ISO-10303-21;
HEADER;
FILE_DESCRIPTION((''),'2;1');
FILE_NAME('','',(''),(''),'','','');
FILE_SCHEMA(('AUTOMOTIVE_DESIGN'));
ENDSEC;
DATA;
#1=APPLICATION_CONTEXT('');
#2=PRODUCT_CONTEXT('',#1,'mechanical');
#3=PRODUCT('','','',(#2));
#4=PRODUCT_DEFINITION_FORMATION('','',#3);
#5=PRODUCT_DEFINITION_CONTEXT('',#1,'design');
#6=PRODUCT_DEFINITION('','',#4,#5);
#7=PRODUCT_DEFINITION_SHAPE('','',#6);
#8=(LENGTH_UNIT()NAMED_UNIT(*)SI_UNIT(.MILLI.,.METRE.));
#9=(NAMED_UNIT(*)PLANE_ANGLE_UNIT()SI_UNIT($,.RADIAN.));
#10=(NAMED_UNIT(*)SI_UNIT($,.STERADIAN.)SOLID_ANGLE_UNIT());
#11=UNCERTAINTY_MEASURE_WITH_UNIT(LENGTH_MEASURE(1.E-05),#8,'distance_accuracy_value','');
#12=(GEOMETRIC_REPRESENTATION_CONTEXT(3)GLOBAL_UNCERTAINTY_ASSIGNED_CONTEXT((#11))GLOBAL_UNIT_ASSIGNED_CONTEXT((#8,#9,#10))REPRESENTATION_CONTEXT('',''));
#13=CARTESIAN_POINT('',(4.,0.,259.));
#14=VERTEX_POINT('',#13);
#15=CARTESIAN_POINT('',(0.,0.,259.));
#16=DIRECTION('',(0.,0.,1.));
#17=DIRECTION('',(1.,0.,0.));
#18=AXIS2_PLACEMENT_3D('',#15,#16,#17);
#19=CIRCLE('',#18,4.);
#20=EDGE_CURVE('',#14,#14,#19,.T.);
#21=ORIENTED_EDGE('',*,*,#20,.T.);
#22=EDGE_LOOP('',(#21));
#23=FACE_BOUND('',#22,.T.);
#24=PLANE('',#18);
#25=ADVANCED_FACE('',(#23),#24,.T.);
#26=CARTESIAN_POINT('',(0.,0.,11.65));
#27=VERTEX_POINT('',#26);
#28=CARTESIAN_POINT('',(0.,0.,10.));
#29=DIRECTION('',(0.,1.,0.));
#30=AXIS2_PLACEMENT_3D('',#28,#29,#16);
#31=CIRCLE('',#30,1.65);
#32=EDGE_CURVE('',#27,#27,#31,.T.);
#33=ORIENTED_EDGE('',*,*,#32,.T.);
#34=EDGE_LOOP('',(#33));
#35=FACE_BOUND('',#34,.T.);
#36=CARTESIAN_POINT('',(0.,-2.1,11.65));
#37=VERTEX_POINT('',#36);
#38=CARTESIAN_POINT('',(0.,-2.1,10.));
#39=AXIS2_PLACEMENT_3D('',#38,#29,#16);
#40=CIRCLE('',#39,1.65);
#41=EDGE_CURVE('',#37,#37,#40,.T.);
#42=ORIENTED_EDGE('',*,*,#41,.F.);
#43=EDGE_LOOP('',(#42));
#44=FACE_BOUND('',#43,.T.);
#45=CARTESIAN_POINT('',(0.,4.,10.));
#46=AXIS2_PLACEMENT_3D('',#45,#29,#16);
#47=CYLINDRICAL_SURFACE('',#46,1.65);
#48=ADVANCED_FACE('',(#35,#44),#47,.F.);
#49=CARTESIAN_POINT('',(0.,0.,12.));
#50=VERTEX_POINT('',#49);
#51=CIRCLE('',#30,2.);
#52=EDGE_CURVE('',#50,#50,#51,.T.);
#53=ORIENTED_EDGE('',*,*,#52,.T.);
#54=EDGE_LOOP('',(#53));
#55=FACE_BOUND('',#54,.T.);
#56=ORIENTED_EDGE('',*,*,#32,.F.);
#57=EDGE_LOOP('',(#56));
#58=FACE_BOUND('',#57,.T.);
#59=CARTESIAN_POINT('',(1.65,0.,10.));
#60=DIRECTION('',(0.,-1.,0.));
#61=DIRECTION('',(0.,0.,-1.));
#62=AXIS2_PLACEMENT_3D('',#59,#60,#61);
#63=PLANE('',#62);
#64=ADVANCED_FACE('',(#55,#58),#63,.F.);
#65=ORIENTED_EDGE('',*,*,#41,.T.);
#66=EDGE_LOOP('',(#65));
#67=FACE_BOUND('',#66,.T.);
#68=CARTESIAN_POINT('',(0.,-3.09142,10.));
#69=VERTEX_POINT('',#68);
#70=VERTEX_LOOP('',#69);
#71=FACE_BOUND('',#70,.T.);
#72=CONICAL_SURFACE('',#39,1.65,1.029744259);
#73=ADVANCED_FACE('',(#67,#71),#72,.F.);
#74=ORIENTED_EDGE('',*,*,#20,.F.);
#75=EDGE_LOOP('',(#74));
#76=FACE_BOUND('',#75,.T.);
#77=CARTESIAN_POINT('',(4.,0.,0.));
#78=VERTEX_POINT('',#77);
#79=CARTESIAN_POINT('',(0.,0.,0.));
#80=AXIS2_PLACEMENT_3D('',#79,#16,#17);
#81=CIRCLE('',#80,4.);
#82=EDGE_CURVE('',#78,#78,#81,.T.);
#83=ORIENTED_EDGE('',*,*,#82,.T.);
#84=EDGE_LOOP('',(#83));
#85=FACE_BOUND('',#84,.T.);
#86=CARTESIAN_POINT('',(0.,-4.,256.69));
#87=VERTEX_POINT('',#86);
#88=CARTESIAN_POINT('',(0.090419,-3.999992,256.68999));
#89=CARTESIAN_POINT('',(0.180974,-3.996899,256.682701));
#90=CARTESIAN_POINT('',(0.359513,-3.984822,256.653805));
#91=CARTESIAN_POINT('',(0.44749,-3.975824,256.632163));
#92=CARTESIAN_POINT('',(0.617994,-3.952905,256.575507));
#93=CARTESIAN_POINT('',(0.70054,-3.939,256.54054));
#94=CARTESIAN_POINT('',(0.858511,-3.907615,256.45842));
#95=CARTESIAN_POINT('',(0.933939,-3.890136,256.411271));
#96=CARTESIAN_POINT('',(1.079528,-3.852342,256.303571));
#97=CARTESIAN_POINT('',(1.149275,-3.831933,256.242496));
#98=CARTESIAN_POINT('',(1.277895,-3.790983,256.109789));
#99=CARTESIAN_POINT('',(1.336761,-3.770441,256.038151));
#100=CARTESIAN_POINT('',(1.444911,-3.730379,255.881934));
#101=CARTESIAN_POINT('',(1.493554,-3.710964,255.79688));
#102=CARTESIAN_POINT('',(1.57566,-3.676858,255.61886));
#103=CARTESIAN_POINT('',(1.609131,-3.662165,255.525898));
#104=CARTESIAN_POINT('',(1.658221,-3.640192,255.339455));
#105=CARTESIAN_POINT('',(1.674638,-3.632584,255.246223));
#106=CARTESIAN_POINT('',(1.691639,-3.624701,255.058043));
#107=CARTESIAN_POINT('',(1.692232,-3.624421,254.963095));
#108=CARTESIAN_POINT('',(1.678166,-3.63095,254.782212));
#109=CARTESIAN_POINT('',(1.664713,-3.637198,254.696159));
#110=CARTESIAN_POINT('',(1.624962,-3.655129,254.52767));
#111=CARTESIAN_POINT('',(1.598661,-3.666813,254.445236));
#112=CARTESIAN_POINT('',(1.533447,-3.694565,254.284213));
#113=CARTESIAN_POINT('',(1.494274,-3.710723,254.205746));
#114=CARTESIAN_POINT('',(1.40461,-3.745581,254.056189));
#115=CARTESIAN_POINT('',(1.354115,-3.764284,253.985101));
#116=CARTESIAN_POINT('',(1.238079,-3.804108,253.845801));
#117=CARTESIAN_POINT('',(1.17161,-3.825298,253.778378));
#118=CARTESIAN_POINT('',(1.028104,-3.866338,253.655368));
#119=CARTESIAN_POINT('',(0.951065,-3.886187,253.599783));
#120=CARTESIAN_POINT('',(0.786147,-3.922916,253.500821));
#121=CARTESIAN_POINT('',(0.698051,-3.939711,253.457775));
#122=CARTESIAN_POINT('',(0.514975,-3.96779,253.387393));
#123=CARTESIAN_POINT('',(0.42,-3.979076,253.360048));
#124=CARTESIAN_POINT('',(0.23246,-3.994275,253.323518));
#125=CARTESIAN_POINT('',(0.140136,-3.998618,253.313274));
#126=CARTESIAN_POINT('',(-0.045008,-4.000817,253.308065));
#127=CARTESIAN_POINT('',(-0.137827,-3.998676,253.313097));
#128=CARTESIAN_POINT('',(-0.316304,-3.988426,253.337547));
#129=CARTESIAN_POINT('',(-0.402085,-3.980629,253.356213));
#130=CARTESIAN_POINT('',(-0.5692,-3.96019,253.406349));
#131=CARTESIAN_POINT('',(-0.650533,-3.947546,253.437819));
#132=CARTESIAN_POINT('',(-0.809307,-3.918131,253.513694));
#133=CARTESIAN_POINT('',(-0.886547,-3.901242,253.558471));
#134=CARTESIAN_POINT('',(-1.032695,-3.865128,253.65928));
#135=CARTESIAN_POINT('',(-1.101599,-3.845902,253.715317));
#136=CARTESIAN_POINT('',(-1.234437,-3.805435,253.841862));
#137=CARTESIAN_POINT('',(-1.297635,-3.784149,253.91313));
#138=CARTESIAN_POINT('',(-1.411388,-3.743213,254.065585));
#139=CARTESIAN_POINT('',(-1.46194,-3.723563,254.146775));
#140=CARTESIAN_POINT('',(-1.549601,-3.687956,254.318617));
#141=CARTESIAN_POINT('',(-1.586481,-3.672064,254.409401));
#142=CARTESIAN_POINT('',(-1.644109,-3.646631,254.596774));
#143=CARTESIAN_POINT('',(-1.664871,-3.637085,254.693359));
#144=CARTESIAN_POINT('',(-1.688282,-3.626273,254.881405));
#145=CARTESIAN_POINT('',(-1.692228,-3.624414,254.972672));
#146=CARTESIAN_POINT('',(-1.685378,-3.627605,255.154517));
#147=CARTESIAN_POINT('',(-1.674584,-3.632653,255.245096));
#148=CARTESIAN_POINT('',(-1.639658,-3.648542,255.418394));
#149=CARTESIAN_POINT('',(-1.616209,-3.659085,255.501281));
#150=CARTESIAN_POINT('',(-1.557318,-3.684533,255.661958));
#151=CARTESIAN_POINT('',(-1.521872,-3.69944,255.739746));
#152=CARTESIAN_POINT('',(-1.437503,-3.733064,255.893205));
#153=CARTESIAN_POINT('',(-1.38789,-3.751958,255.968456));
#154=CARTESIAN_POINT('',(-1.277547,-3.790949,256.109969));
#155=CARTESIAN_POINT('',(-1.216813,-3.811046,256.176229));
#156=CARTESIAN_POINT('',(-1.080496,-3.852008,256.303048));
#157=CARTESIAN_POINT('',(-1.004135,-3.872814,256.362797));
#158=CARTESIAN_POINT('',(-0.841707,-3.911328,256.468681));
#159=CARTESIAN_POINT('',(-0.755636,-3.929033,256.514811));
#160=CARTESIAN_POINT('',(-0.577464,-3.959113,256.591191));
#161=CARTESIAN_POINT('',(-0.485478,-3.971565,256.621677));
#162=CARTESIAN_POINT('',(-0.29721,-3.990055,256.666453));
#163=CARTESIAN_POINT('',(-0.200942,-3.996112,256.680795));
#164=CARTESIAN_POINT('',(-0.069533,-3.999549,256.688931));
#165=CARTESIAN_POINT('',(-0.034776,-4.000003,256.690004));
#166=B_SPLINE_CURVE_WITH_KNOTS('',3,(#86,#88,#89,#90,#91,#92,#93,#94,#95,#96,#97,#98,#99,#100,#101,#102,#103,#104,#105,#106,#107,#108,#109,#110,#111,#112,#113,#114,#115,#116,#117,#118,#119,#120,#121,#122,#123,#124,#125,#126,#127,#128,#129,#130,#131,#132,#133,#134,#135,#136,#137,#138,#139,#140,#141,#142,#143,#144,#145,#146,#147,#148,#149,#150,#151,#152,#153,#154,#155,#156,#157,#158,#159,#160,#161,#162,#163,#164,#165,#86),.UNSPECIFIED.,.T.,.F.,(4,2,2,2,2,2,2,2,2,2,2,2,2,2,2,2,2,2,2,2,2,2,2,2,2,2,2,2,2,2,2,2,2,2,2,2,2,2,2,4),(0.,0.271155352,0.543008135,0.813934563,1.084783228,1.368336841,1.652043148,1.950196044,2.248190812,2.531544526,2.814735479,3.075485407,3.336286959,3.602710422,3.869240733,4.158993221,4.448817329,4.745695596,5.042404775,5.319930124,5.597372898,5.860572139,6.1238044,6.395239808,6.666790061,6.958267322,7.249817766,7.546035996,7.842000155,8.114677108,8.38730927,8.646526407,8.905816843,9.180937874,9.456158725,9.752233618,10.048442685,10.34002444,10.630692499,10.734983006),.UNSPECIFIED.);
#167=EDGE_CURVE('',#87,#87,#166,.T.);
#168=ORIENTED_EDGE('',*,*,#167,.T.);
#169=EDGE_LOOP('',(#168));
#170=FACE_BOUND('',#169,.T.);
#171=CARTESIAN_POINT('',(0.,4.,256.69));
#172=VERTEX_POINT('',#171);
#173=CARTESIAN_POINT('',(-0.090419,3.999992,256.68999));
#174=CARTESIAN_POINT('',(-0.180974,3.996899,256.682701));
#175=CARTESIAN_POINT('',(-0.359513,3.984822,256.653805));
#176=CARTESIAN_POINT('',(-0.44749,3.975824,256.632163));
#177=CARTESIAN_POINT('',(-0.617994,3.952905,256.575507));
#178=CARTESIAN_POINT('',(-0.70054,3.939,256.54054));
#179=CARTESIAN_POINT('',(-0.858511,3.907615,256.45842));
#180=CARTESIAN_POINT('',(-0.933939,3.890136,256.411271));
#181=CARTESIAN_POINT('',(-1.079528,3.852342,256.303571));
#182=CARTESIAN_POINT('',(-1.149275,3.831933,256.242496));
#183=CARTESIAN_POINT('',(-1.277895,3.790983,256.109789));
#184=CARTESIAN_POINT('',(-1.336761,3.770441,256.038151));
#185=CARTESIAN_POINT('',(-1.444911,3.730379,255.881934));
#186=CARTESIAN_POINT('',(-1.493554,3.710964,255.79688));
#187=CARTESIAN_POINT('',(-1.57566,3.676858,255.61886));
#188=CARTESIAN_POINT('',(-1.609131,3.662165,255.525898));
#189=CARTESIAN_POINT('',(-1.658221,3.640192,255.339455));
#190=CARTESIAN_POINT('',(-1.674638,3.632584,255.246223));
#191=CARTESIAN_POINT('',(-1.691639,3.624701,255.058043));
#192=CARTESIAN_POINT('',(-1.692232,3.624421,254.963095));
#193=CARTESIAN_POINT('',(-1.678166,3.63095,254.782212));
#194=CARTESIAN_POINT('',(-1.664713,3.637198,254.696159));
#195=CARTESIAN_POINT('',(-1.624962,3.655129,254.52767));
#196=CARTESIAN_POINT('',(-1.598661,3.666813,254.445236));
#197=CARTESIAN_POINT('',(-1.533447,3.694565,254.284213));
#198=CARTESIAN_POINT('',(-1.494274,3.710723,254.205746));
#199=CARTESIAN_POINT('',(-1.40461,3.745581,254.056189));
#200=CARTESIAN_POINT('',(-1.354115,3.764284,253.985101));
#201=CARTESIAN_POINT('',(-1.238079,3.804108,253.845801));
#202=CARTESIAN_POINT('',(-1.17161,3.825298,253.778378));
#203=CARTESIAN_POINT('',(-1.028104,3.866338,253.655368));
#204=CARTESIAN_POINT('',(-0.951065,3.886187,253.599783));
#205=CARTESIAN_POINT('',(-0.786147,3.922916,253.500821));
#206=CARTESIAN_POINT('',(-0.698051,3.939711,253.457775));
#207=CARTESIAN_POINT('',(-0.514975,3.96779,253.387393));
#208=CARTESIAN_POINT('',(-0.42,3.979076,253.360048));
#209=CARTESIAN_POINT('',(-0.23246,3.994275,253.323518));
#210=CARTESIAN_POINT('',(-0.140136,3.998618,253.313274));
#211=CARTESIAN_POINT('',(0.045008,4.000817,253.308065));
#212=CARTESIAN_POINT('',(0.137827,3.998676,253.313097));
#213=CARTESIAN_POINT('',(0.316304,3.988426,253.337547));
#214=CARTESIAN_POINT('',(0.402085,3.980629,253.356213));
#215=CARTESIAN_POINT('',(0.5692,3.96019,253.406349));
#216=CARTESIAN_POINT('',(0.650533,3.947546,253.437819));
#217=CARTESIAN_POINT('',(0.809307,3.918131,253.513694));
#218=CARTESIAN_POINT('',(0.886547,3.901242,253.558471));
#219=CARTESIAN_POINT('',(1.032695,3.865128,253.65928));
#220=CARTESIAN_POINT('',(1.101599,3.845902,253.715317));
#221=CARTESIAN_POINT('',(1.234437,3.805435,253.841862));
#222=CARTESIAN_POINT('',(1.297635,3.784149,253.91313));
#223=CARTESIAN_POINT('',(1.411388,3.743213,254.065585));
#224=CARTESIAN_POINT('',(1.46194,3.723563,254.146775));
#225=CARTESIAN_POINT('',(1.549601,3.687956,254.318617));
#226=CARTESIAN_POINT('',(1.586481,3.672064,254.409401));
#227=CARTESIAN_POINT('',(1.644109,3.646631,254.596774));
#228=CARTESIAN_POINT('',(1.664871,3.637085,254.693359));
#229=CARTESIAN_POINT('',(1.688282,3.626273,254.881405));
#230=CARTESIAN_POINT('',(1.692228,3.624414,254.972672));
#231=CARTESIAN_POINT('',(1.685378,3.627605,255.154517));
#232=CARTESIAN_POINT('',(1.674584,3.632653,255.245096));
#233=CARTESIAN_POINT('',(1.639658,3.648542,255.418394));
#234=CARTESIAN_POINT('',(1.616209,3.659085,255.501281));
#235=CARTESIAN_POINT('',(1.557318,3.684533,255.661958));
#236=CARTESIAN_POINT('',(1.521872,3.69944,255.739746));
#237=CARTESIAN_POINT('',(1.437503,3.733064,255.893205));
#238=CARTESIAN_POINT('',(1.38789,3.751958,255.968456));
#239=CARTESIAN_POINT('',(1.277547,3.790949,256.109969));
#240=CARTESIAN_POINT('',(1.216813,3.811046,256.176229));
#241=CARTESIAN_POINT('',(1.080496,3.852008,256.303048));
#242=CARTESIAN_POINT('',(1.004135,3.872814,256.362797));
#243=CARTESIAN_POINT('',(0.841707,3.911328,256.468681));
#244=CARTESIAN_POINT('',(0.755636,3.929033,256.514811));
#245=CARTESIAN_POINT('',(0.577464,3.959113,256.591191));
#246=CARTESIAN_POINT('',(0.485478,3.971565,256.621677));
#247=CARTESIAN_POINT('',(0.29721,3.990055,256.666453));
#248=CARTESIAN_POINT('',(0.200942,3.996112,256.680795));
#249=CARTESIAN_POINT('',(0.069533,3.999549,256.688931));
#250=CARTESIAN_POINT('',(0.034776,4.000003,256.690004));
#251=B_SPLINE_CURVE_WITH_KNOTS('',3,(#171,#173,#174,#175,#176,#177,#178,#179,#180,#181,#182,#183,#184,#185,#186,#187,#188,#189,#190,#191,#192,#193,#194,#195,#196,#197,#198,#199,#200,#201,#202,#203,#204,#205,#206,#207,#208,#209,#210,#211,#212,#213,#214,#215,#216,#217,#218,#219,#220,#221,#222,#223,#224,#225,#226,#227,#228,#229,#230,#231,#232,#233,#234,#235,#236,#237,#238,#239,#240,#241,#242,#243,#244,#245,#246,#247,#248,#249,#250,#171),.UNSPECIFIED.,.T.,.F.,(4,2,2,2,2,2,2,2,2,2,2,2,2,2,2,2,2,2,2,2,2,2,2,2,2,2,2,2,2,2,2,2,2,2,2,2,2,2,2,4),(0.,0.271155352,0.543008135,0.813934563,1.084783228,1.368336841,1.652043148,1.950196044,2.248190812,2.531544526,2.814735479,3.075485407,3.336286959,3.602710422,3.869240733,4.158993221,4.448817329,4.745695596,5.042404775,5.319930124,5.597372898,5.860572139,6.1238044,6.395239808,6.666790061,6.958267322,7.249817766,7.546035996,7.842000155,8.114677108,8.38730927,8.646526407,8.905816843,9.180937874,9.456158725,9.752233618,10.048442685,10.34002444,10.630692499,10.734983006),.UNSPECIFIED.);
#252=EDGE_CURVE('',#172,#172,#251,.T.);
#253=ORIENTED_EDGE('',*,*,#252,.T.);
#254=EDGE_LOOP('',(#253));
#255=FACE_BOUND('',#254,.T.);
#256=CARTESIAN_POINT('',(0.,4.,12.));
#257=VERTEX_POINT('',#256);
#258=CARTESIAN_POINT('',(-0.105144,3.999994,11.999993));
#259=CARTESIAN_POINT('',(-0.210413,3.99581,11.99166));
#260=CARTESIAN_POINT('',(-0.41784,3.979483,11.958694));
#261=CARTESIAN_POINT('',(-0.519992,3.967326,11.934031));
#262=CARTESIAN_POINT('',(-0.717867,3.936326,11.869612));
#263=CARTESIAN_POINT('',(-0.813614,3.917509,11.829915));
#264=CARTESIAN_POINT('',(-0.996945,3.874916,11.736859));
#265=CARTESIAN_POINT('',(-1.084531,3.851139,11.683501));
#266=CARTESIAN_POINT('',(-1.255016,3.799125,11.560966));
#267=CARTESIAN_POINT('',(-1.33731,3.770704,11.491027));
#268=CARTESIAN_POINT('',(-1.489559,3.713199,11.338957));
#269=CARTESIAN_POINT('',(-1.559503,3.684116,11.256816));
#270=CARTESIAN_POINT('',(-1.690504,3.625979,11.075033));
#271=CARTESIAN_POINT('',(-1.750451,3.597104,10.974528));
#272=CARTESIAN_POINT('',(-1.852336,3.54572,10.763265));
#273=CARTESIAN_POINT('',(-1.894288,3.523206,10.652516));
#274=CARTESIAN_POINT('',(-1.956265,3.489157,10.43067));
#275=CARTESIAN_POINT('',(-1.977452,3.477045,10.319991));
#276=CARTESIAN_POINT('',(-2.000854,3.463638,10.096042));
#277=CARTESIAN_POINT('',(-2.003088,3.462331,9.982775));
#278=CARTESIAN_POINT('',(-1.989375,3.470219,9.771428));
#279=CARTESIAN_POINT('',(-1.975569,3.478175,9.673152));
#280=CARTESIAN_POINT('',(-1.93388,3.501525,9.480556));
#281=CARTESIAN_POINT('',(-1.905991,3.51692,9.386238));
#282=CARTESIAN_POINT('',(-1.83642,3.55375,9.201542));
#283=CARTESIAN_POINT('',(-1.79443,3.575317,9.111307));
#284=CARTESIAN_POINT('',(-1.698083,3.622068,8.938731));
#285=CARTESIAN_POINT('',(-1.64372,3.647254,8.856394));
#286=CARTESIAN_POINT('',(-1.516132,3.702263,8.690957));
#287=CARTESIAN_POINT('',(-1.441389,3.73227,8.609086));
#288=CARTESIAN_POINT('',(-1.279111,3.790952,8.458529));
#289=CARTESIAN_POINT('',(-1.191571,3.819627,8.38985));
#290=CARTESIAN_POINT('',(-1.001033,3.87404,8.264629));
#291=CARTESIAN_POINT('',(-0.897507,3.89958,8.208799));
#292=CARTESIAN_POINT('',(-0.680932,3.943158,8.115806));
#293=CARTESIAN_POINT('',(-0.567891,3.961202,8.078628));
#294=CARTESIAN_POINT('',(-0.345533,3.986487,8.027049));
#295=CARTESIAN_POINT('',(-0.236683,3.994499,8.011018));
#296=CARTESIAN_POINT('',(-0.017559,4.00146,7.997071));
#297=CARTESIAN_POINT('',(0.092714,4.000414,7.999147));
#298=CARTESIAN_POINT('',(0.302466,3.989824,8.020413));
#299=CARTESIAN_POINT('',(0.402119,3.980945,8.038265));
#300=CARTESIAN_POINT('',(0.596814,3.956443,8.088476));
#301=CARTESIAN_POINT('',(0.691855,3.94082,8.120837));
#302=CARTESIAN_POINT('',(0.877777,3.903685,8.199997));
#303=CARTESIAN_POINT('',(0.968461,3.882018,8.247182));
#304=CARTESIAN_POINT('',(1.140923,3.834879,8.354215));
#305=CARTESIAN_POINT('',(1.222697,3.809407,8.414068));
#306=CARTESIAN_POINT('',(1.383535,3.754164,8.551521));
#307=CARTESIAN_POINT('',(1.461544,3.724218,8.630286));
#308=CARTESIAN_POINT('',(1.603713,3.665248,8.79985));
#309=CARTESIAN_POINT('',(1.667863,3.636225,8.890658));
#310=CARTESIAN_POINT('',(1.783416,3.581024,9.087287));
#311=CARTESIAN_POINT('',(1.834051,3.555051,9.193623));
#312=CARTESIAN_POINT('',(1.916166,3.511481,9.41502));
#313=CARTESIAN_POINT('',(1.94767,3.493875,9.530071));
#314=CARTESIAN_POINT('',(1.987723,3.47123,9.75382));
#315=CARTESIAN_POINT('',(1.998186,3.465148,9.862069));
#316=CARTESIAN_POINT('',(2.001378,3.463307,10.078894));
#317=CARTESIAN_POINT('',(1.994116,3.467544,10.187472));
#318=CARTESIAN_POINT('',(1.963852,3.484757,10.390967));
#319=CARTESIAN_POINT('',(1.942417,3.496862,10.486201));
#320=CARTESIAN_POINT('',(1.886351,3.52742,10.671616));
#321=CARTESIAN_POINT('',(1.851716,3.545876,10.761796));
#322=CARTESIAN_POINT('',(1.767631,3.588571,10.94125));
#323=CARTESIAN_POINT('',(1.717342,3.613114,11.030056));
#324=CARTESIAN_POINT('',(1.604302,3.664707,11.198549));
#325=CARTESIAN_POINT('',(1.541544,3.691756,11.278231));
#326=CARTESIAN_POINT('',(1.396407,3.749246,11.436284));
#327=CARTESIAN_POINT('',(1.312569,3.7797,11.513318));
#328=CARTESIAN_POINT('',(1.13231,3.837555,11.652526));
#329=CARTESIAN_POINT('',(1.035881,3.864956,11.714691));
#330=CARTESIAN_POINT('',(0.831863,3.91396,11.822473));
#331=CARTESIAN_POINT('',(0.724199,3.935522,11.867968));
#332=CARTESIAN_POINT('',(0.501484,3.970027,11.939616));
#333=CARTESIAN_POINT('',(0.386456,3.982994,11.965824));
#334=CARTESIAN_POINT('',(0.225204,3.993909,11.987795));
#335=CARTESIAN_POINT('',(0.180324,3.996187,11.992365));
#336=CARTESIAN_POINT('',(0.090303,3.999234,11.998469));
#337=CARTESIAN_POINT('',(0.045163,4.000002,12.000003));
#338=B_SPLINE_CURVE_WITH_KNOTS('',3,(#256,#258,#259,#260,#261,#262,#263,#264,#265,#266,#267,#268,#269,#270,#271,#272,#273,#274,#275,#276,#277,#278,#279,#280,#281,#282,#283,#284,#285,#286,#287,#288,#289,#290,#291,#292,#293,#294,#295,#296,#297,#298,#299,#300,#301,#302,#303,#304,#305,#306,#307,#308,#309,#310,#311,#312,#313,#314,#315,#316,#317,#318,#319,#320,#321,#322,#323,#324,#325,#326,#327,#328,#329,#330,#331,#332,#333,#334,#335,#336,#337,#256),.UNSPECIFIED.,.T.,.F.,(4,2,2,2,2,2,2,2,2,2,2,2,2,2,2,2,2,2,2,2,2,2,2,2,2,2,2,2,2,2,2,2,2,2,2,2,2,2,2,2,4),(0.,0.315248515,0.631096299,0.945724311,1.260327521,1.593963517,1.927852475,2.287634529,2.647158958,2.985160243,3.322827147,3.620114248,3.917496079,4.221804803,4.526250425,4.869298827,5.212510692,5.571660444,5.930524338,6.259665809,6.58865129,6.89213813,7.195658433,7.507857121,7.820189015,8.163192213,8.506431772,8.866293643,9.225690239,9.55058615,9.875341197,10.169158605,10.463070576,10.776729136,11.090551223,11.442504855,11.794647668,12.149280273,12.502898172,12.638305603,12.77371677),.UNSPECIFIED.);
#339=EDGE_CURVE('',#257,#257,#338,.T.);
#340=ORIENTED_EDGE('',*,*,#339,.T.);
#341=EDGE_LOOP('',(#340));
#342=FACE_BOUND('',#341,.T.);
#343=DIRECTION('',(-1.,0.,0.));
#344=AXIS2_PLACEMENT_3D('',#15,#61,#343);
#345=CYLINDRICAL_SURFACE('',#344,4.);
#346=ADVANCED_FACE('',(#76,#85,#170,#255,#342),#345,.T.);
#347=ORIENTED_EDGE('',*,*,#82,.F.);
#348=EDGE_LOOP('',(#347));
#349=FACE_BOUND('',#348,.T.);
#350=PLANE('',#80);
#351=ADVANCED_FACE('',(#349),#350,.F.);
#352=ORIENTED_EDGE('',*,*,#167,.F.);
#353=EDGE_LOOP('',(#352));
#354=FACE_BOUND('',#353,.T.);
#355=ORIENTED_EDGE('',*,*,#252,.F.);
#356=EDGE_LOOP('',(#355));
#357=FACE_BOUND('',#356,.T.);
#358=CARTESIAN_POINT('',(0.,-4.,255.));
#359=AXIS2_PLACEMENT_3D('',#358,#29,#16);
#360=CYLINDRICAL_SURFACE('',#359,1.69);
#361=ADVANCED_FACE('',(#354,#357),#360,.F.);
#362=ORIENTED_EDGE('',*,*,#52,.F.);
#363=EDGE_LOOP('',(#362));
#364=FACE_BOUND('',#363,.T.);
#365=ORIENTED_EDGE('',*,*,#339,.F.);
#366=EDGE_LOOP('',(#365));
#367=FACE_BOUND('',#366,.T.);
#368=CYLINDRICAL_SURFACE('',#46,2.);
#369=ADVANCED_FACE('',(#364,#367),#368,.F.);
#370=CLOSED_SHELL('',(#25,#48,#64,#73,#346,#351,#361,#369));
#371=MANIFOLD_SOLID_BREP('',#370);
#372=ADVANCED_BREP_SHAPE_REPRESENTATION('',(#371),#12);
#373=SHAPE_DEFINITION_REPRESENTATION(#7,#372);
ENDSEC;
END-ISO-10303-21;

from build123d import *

# Parameters (mm, degrees)
SKETCH_1_R                   = 4
EXTRUDE_1_DEPTH              = 259
HOLE_WIZARD_M4_2_D           = 3.3
HOLE_WIZARD_M4_2_DEPTH       = 6.1
HOLE_WIZARD_M4_2_CBORE_D     = 4
HOLE_WIZARD_M4_2_CBORE_DEPTH = 4
HOLE_WIZARD_M4_2_TIP         = 0.991420021
SKETCH_7_R                   = 1.69
CUT_EXTRUDE_1_DEPTH          = 260.154394241


with BuildPart() as part:
    # 草图1 → 拉伸1 (new body)
    with BuildSketch(Plane.XY):
        Circle(SKETCH_1_R)
    extrude(amount=EXTRUDE_1_DEPTH)

    # M4 螺纹孔2
    with Locations(Plane(origin=(0, 4, 0), x_dir=(-1, 0, 0), z_dir=(0, 1, 0))):
        with Locations((0, 10)):
            CounterBoreHole(HOLE_WIZARD_M4_2_D / 2, HOLE_WIZARD_M4_2_CBORE_D / 2, HOLE_WIZARD_M4_2_CBORE_DEPTH, depth=HOLE_WIZARD_M4_2_DEPTH)
            with Locations((0, 0, -(HOLE_WIZARD_M4_2_DEPTH + HOLE_WIZARD_M4_2_TIP / 2))):  # 118° drill point
                Cone(0, HOLE_WIZARD_M4_2_D / 2, HOLE_WIZARD_M4_2_TIP, mode=Mode.SUBTRACT)

    # 草图7 → 切除-拉伸1 (cut, through all)
    with BuildSketch(Plane(origin=(0, 4, 0), x_dir=(-1, 0, 0), z_dir=(0, 1, 0))):
        with Locations(Location((0, 255, 0), (0, 0, 90))):
            Circle(SKETCH_7_R)
    extrude(amount=-CUT_EXTRUDE_1_DEPTH, mode=Mode.SUBTRACT)


solid = part.part
